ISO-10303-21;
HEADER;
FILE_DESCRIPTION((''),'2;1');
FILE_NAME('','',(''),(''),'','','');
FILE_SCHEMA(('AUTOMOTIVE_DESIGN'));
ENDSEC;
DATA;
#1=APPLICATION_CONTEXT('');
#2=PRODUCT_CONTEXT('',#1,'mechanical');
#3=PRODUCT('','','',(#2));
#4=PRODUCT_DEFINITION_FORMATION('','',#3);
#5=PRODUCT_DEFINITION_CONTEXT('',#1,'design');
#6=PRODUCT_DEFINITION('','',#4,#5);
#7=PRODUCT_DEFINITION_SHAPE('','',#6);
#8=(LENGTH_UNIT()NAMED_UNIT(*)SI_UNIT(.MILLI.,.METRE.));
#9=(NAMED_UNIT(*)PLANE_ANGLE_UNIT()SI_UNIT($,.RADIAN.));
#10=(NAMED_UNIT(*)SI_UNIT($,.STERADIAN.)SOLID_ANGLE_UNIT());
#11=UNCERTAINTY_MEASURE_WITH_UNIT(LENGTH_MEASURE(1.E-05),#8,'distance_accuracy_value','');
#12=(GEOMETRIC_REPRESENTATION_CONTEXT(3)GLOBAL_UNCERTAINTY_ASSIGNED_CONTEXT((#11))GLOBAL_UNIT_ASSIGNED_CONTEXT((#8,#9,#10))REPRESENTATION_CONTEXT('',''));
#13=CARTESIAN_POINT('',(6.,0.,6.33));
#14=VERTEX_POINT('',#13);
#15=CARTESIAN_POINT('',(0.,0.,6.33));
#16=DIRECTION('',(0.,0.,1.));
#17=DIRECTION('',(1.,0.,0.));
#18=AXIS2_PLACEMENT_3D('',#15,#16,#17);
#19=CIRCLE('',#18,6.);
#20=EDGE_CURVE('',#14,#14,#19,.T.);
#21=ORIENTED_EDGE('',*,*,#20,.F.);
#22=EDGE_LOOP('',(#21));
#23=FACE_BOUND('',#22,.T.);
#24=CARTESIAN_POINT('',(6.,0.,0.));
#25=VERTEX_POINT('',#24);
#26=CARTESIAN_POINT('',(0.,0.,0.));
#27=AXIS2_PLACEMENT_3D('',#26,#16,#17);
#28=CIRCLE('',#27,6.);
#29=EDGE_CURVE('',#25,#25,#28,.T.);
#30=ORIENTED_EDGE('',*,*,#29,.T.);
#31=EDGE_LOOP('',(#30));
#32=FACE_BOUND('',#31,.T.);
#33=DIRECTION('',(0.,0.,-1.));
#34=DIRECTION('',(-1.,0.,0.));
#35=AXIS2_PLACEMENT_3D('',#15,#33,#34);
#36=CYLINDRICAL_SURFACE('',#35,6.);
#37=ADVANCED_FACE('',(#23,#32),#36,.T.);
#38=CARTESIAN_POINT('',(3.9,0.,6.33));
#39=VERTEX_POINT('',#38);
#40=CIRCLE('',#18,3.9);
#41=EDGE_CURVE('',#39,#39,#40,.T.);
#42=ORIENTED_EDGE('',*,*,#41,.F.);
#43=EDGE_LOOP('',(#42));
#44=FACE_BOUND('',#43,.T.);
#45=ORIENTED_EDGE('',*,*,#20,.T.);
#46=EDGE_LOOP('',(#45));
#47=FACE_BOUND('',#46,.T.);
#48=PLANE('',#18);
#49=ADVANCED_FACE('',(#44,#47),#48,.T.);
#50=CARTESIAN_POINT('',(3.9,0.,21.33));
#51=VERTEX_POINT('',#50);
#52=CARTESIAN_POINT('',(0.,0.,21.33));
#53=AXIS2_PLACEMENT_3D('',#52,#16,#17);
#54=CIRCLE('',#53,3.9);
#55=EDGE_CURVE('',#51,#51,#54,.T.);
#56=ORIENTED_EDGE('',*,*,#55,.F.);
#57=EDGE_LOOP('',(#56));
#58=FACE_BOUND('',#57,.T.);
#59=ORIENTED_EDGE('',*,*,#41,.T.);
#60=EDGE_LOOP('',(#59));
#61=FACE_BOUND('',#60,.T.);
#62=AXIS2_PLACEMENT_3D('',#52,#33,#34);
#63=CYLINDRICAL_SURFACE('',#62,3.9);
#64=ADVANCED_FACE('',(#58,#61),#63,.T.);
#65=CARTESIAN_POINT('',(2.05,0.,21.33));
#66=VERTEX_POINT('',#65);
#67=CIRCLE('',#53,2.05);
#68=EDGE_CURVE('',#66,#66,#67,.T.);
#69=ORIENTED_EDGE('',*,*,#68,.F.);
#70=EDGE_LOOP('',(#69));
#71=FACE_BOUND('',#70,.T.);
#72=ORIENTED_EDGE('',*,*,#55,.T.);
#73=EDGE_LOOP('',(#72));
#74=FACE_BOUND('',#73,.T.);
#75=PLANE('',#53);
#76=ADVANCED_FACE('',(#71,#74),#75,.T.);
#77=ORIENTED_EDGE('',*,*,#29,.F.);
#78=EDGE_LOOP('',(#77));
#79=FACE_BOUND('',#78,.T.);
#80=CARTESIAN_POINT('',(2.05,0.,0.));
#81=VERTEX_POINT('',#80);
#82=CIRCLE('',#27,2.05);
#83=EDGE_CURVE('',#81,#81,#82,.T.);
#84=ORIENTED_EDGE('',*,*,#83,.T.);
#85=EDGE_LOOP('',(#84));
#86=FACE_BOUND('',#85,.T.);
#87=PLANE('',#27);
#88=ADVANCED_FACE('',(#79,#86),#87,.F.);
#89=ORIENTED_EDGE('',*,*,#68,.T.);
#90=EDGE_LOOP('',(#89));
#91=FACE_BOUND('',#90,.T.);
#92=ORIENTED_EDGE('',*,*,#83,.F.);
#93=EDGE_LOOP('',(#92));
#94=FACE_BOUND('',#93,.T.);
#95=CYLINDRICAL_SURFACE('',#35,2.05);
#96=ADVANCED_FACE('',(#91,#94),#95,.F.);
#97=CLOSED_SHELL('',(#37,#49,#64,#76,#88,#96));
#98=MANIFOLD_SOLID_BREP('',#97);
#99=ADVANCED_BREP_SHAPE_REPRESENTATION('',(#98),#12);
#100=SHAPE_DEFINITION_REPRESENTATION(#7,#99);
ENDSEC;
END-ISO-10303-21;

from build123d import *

# Parameters (mm, degrees)
SKETCH1_R           = 6
SKETCH1_R_2         = 2.05
BOSS_EXTRUDE1_DEPTH = 6.33
SKETCH2_R           = 3.9
SKETCH2_R_2         = 2.05
BOSS_EXTRUDE2_DEPTH = 15


with BuildPart() as part:
    # Sketch1 → Boss-Extrude1 (new body)
    with BuildSketch(Plane.XY):
        Circle(SKETCH1_R)
        Circle(SKETCH1_R_2, mode=Mode.SUBTRACT)
    extrude(amount=BOSS_EXTRUDE1_DEPTH)

    # Sketch2 → Boss-Extrude2 (add)
    with BuildSketch(Plane.XY.offset(6.33)):
        Circle(SKETCH2_R)
        Circle(SKETCH2_R_2, mode=Mode.SUBTRACT)
    extrude(amount=BOSS_EXTRUDE2_DEPTH)


solid = part.part
